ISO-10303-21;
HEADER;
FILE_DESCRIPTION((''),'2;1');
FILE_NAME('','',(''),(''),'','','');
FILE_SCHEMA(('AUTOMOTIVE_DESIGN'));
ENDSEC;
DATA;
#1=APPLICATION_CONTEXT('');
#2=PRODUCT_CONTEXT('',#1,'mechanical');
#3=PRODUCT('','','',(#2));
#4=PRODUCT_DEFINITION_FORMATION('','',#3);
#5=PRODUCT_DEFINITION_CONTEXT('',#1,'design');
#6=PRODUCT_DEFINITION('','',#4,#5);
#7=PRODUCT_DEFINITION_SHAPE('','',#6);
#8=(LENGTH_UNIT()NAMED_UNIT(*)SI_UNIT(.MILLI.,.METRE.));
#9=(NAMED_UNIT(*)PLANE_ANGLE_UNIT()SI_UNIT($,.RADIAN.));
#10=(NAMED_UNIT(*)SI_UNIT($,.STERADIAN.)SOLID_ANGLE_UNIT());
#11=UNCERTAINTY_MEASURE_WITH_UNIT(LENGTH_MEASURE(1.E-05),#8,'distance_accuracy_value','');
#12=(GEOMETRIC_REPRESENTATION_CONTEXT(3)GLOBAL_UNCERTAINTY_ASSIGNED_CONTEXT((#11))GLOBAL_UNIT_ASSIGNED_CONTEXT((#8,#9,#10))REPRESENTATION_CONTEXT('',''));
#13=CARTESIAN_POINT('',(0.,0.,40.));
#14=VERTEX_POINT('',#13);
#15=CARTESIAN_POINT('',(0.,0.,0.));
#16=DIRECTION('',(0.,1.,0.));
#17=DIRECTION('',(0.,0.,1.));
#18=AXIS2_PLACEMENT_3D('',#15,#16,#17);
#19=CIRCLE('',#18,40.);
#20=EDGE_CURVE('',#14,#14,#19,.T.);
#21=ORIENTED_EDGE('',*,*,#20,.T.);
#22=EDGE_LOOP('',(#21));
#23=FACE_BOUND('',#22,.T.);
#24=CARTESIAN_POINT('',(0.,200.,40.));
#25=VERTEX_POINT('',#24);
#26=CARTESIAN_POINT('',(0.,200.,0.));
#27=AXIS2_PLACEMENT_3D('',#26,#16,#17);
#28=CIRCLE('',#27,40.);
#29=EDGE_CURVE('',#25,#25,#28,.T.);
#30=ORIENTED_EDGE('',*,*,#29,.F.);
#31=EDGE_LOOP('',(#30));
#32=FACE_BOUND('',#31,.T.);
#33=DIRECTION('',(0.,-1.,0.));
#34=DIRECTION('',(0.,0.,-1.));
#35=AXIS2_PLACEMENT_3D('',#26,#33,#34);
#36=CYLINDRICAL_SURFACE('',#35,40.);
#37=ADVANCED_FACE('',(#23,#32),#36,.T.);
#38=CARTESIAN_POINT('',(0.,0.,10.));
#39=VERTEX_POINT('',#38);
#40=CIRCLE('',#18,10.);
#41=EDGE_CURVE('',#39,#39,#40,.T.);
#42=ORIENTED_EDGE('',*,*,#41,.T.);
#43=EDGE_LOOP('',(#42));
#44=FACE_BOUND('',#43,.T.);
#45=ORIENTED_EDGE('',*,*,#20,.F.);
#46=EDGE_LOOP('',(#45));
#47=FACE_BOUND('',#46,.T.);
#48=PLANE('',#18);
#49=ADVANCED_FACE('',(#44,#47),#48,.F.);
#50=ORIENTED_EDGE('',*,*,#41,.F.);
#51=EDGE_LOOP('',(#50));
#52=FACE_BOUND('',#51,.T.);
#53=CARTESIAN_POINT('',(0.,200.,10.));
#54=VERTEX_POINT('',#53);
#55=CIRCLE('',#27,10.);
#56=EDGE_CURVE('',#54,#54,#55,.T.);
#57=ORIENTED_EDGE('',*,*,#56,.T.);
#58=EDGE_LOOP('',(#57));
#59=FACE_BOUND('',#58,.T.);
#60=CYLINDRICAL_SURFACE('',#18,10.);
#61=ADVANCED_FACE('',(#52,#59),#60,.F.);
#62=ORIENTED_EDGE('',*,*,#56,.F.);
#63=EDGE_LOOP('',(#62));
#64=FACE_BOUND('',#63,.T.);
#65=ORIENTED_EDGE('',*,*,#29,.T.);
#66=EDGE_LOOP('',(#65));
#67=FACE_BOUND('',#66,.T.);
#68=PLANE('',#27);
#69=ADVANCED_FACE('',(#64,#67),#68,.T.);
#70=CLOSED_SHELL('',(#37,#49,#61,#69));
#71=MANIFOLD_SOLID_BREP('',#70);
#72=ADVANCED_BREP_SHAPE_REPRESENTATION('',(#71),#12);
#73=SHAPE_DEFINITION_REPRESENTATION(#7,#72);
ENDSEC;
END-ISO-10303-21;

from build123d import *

# Parameters (mm, degrees)
SKETCH_1_R          = 40
EXTRUDE_1_DEPTH     = 200
SKETCH_2_R          = 10
CUT_EXTRUDE_1_DEPTH = 208.846096908


with BuildPart() as part:
    # 草图1 → 凸台-拉伸1 (new body)
    with BuildSketch(Plane(origin=(0, 0, 0), x_dir=(1, 0, 0), z_dir=(0, 1, 0))):
        with Locations(Location((0, 0, 0), (0, 0, 270))):
            Circle(SKETCH_1_R)
    extrude(amount=EXTRUDE_1_DEPTH)

    # 草图2 → 切除-拉伸1 (cut, through all)
    with BuildSketch(Plane(origin=(0, 200, 0), x_dir=(1, 0, 0), z_dir=(0, 1, 0))):
        with Locations(Location((0, 0, 0), (0, 0, 270))):
            Circle(SKETCH_2_R)
    extrude(amount=-CUT_EXTRUDE_1_DEPTH, mode=Mode.SUBTRACT)


solid = part.part
